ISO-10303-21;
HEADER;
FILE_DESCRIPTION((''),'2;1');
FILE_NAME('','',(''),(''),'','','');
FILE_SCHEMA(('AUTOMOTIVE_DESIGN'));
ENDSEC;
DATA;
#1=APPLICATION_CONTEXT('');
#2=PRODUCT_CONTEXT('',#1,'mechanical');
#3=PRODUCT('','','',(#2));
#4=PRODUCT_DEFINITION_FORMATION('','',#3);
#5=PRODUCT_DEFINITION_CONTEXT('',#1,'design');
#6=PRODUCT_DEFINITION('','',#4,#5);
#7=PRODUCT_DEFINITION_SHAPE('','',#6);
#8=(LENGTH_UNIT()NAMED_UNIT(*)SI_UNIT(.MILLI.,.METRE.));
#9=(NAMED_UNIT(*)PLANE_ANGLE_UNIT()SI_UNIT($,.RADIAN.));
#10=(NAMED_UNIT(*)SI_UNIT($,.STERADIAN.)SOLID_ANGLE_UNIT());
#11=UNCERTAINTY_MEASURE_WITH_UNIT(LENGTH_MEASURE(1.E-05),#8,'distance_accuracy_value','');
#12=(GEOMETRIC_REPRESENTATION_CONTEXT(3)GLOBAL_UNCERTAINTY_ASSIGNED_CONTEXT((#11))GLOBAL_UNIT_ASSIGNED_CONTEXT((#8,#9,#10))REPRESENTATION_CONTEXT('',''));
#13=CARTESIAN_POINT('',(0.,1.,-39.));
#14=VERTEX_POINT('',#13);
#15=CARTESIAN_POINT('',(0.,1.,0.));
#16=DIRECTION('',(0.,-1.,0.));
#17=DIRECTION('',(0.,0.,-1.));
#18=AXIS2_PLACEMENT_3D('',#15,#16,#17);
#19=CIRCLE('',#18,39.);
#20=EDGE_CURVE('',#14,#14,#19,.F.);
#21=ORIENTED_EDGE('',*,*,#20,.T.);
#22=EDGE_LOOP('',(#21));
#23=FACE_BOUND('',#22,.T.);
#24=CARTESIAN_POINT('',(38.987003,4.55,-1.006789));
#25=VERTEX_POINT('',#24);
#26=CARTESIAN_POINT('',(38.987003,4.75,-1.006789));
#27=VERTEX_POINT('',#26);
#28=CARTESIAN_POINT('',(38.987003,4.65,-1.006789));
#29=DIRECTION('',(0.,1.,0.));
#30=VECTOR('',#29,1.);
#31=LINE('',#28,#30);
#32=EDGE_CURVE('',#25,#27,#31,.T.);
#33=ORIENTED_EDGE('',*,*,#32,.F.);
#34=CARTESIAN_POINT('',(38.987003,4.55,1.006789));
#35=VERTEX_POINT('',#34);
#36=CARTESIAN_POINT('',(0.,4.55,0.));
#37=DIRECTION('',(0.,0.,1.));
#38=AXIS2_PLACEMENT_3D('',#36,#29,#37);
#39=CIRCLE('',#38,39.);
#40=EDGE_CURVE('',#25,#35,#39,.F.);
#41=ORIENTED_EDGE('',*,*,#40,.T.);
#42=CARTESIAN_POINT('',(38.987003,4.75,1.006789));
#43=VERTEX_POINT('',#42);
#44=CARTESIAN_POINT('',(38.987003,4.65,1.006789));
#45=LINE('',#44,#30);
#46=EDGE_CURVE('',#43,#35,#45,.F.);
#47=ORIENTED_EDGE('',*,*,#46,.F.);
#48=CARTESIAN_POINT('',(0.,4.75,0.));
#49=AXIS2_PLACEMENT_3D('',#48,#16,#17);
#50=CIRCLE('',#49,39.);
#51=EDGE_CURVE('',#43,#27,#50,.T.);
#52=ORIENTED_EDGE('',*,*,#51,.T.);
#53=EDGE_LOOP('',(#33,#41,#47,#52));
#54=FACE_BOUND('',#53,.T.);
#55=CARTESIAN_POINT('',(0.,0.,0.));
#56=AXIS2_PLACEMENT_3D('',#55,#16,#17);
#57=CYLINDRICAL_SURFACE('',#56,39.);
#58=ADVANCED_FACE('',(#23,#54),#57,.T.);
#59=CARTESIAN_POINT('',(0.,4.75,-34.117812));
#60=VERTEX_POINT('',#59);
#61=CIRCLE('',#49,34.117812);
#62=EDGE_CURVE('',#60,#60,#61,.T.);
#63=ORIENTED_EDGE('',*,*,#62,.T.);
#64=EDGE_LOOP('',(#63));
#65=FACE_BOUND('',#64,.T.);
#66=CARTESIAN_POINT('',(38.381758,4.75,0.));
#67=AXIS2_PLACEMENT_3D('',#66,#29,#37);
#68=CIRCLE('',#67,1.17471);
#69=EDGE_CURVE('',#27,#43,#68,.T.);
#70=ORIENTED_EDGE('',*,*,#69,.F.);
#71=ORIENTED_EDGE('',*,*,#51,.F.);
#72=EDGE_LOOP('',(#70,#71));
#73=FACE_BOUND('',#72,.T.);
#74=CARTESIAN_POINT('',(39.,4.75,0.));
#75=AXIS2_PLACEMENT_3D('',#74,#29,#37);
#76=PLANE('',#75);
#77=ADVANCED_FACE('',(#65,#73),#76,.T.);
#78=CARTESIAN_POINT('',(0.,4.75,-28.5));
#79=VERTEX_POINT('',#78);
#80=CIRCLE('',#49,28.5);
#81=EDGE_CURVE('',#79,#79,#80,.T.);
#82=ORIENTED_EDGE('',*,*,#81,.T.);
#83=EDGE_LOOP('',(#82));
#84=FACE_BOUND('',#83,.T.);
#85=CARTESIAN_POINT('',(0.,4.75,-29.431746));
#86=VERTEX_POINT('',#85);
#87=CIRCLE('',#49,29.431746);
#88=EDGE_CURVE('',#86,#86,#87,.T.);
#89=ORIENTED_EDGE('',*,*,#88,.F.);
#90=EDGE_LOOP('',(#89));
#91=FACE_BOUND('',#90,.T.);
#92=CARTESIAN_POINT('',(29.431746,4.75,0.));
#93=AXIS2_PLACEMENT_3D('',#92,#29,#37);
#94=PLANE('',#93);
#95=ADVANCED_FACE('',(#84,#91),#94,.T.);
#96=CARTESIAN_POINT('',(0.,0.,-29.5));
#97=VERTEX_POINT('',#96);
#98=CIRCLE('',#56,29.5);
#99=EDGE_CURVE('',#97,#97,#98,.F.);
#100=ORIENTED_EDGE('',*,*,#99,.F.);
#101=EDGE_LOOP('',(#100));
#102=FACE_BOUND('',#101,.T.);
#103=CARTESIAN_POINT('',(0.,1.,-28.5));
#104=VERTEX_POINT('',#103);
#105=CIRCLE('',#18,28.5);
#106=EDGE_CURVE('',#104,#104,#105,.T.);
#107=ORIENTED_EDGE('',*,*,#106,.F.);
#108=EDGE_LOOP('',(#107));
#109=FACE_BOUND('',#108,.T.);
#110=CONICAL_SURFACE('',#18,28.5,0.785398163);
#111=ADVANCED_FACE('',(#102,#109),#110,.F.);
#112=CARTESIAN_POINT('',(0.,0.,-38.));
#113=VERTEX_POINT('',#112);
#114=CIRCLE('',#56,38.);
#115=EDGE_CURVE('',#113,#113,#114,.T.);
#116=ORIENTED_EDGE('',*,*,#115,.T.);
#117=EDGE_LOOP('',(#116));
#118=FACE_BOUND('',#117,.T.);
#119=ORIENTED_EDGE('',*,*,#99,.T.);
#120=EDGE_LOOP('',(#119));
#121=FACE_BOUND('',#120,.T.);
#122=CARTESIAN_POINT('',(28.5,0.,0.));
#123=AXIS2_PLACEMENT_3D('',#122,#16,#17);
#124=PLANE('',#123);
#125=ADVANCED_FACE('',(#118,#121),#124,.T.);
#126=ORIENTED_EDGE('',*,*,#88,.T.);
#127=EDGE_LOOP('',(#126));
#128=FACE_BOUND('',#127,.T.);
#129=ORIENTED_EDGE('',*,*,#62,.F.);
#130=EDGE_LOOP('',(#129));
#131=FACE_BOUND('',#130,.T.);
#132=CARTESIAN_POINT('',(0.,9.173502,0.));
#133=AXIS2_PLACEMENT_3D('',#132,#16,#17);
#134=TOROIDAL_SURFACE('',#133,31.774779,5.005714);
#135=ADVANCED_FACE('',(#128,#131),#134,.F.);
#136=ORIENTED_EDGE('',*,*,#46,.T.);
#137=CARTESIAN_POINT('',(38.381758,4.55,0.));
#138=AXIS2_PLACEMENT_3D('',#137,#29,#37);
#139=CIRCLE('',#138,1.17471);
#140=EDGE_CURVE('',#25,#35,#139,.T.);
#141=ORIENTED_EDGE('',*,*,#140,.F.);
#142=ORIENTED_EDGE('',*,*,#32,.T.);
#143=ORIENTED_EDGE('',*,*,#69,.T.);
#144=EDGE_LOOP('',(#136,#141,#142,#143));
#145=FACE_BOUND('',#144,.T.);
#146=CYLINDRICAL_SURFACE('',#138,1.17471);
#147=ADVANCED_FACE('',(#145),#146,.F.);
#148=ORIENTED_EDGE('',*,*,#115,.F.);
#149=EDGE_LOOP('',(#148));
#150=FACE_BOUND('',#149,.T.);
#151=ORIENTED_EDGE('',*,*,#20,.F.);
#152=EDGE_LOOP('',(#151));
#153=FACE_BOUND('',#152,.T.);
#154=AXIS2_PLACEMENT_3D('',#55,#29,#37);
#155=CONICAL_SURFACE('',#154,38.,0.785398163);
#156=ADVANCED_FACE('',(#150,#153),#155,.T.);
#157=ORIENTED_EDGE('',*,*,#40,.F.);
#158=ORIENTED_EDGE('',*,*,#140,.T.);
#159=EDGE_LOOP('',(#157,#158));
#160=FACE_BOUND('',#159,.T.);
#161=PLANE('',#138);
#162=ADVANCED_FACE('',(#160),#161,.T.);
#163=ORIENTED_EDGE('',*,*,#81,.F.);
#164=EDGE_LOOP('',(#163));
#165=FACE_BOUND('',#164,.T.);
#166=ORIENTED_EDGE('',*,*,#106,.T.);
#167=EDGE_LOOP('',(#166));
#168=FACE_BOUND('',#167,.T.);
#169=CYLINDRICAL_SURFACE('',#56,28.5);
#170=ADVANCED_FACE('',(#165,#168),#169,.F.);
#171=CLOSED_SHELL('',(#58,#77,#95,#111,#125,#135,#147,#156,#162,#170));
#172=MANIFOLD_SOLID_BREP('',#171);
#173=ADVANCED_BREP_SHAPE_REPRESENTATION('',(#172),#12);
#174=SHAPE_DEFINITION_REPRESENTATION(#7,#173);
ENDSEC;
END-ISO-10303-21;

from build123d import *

# Parameters (mm, degrees)
SKETCH3_R          = 1.174710487
CUT_EXTRUDE1_DEPTH = 0.2
CHAMFER1_SIZE      = 1


with BuildPart() as part:
    # Sketch2 → Revolve1 (revolve)
    with BuildSketch(Plane.XY):
        with BuildLine():
            Line((28.5, 0), (39, 0))
            Line((39, 0), (39, 4.75))
            Line((39, 4.75), (34.117811535, 4.75))
            ThreePointArc((34.117811535, 4.75), (31.774779013, 4.167788181), (29.431746492, 4.75))
            Line((29.431746492, 4.75), (28.5, 4.75))
            Line((28.5, 4.75), (28.5, 0))
        make_face()
    revolve(axis=Axis((0, 0, 0), (0, 1, 0)))

    # Sketch3 → Cut-Extrude1 (cut)
    with BuildSketch(Plane(origin=(0, 4.75, 0), x_dir=(1, 0, 0), z_dir=(0, 1, 0))):
        with Locations((38.381757848, 0)):
            Circle(SKETCH3_R)
    extrude(amount=-CUT_EXTRUDE1_DEPTH, mode=Mode.SUBTRACT)

    # Chamfer1
    chamfer1_edges = [part.edges().sort_by_distance(p)[0] for p in [
        (-39, 0, 0),
        (-28.5, 0, 0),
    ]]
    chamfer(chamfer1_edges, length=CHAMFER1_SIZE)


solid = part.part
